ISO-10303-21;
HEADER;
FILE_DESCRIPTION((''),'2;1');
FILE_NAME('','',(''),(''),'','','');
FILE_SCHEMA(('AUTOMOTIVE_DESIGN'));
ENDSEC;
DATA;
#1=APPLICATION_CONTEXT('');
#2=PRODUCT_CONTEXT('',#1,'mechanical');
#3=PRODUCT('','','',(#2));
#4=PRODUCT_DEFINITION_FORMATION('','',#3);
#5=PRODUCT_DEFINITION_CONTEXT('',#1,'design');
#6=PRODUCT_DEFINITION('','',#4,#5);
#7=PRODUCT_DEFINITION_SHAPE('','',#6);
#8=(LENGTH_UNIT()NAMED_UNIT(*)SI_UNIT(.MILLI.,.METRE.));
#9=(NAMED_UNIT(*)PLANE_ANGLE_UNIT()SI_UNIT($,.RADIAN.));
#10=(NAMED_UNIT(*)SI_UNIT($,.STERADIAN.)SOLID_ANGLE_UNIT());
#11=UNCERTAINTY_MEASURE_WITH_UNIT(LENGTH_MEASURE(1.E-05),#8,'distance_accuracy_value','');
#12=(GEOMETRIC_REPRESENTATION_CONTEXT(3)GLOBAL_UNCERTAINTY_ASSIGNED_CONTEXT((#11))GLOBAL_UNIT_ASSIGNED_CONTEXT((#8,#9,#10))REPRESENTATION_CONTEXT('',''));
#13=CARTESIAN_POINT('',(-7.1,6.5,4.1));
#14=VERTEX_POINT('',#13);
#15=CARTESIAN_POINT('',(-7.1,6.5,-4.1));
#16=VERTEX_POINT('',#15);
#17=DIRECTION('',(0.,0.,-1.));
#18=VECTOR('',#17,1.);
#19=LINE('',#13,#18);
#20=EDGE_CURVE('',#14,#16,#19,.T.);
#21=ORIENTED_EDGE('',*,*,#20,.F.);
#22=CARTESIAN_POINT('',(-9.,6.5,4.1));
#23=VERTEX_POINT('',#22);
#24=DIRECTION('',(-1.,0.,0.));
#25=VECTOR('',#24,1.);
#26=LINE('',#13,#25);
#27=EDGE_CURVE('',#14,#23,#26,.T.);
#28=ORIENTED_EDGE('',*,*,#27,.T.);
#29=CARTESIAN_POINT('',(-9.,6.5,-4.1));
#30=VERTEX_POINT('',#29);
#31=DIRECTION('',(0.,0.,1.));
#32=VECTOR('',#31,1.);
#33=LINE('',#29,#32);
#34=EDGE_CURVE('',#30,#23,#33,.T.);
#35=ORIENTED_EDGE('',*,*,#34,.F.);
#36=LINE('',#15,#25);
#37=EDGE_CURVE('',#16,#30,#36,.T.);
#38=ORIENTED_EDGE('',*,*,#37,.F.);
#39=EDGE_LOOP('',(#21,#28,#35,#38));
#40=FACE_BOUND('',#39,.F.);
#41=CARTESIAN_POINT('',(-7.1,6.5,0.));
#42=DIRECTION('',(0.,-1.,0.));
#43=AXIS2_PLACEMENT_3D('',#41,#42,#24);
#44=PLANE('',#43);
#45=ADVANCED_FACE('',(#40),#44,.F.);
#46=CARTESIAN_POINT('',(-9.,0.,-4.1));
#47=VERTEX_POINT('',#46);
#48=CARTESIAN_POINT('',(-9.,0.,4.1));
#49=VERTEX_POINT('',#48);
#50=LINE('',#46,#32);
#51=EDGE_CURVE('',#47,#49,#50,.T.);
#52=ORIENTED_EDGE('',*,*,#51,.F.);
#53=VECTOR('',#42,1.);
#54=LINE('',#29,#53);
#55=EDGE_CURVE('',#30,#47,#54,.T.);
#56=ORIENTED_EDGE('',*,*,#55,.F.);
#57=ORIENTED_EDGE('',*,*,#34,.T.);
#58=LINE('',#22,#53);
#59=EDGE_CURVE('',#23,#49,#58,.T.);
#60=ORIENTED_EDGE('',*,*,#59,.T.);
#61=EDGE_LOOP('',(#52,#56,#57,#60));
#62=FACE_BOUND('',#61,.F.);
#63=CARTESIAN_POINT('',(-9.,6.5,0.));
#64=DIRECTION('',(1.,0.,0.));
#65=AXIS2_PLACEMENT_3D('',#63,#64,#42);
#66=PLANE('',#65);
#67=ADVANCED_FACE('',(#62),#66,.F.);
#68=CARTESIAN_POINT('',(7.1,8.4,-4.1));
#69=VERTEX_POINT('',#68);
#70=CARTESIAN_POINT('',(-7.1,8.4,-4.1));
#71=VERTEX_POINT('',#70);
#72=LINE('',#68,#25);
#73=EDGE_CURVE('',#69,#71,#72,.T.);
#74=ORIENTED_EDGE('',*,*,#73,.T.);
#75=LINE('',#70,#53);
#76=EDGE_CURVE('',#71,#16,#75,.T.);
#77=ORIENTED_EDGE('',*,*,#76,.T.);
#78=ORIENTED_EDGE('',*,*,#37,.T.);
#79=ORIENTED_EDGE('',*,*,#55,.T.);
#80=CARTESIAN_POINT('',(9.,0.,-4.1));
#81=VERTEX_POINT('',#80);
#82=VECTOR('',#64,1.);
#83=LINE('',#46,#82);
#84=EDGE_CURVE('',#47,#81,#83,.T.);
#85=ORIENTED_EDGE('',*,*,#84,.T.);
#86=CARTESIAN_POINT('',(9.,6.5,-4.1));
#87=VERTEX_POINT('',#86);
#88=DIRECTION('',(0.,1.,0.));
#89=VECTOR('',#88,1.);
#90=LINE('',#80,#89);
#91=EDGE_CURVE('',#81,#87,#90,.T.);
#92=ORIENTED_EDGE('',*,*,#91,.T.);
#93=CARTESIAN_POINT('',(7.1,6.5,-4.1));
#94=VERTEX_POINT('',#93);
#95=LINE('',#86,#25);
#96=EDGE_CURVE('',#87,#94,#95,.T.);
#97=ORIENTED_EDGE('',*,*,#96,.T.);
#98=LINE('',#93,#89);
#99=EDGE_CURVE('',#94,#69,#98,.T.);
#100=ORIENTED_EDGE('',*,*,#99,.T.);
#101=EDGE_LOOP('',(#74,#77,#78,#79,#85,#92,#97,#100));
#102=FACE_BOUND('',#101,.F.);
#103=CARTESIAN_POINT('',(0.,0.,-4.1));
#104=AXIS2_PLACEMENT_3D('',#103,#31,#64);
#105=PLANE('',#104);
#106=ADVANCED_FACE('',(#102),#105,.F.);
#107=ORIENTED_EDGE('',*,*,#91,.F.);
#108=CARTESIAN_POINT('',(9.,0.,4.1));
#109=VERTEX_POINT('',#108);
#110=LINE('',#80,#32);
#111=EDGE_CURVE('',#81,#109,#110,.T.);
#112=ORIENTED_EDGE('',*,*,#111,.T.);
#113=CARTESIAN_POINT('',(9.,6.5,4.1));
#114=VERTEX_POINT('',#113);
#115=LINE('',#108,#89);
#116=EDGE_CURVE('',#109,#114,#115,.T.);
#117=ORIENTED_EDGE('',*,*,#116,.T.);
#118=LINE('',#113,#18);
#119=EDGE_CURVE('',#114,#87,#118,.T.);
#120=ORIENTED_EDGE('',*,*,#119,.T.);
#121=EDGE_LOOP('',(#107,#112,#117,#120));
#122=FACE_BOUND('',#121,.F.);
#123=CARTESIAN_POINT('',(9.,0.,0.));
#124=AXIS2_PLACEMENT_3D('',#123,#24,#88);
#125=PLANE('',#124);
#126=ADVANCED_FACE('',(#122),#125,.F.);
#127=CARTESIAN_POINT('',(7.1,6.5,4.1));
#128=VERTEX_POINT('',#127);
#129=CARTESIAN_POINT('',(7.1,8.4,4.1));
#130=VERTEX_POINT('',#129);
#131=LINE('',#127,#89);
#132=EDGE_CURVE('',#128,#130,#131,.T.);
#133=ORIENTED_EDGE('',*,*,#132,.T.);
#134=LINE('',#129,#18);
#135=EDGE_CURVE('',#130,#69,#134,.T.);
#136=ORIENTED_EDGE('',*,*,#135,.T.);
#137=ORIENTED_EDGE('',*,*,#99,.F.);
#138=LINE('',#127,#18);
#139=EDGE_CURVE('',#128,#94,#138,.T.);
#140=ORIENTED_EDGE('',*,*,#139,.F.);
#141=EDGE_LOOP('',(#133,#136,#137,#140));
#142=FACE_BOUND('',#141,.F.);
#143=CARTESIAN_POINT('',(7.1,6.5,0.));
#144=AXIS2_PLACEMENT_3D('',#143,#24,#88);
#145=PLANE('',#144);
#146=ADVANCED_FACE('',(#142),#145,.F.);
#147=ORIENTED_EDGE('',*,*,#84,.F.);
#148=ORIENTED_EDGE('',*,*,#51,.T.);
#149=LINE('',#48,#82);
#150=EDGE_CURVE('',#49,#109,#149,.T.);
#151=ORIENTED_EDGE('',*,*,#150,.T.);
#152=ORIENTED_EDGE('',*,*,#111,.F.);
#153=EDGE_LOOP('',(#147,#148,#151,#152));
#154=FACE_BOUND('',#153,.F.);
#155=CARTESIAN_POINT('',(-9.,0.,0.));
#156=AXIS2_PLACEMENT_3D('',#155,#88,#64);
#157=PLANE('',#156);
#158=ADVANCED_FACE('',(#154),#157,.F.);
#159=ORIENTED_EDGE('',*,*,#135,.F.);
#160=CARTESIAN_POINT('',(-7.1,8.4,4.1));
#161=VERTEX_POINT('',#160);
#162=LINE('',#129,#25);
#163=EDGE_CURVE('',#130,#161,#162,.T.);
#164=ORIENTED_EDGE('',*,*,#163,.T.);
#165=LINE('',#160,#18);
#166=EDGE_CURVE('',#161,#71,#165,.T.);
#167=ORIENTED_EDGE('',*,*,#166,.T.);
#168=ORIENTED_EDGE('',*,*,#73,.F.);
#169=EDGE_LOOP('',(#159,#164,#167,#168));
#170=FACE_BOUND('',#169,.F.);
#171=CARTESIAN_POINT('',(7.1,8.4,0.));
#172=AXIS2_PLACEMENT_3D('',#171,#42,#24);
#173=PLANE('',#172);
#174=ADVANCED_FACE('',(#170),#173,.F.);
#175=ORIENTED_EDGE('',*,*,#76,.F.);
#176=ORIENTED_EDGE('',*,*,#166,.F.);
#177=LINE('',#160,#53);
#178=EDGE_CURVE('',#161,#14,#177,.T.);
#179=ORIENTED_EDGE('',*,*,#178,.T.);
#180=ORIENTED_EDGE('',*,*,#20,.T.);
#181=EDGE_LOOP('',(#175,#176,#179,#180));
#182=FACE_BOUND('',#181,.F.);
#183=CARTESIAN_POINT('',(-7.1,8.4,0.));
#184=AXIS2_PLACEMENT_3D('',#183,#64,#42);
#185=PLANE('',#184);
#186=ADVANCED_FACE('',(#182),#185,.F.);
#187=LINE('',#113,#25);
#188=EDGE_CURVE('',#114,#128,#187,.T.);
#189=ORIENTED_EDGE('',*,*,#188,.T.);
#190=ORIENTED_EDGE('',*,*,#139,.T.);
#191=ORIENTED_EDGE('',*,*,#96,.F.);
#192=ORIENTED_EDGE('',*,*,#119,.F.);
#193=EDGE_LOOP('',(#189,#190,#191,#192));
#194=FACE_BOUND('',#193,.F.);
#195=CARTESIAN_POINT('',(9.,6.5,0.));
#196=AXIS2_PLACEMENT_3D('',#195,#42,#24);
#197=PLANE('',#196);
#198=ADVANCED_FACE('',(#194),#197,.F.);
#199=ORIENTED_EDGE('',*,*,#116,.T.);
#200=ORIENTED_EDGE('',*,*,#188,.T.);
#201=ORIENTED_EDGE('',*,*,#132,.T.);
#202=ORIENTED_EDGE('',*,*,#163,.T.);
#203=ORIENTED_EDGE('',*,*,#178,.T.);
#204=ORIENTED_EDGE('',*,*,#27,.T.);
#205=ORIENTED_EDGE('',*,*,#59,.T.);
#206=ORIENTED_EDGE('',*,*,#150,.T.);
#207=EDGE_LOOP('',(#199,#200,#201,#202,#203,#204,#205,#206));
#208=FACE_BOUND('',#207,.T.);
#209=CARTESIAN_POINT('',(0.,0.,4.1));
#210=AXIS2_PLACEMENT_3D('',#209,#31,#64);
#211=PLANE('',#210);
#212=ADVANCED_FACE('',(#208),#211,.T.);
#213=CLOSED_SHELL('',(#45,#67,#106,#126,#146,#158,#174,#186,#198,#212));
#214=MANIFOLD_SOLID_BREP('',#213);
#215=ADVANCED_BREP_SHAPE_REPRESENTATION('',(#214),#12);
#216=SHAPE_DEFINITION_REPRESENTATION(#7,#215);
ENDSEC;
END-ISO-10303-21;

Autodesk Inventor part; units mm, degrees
sketch "Sketch_1" plane through (0, 0, 0) normal (0, 0, 1) x (1, 0, 0)
  line L0 (-9, 6.5) -> (-9, 0)
  line L1 (-9, 0) -> (9, 0)
  line L2 (9, 0) -> (9, 6.5)
  line L3 (9, 6.5) -> (7.1, 6.5)
  line L4 (7.1, 6.5) -> (7.1, 8.4)
  line L5 (7.1, 8.4) -> (-7.1, 8.4)
  line L6 (-7.1, 8.4) -> (-7.1, 6.5)
  line L7 (-7.1, 6.5) -> (-9, 6.5)
extrude "Extrusion1" add sketch "Sketch_1" along normal mid plane 8.2
ref_plane "p1_XY" through (0, 0, 0) normal (0, 1, 0) x (1, 0, 0)
ref_plane "p1_YZ" through (0, 0, 0) normal (1, 0, 0) x (0, 0, -1)
ref_plane "p1_ZX" through (0, 0, 0) normal (0, 0, -1) x (0, 1, 0)
properties part number "GUS Zentriereinsatz"
